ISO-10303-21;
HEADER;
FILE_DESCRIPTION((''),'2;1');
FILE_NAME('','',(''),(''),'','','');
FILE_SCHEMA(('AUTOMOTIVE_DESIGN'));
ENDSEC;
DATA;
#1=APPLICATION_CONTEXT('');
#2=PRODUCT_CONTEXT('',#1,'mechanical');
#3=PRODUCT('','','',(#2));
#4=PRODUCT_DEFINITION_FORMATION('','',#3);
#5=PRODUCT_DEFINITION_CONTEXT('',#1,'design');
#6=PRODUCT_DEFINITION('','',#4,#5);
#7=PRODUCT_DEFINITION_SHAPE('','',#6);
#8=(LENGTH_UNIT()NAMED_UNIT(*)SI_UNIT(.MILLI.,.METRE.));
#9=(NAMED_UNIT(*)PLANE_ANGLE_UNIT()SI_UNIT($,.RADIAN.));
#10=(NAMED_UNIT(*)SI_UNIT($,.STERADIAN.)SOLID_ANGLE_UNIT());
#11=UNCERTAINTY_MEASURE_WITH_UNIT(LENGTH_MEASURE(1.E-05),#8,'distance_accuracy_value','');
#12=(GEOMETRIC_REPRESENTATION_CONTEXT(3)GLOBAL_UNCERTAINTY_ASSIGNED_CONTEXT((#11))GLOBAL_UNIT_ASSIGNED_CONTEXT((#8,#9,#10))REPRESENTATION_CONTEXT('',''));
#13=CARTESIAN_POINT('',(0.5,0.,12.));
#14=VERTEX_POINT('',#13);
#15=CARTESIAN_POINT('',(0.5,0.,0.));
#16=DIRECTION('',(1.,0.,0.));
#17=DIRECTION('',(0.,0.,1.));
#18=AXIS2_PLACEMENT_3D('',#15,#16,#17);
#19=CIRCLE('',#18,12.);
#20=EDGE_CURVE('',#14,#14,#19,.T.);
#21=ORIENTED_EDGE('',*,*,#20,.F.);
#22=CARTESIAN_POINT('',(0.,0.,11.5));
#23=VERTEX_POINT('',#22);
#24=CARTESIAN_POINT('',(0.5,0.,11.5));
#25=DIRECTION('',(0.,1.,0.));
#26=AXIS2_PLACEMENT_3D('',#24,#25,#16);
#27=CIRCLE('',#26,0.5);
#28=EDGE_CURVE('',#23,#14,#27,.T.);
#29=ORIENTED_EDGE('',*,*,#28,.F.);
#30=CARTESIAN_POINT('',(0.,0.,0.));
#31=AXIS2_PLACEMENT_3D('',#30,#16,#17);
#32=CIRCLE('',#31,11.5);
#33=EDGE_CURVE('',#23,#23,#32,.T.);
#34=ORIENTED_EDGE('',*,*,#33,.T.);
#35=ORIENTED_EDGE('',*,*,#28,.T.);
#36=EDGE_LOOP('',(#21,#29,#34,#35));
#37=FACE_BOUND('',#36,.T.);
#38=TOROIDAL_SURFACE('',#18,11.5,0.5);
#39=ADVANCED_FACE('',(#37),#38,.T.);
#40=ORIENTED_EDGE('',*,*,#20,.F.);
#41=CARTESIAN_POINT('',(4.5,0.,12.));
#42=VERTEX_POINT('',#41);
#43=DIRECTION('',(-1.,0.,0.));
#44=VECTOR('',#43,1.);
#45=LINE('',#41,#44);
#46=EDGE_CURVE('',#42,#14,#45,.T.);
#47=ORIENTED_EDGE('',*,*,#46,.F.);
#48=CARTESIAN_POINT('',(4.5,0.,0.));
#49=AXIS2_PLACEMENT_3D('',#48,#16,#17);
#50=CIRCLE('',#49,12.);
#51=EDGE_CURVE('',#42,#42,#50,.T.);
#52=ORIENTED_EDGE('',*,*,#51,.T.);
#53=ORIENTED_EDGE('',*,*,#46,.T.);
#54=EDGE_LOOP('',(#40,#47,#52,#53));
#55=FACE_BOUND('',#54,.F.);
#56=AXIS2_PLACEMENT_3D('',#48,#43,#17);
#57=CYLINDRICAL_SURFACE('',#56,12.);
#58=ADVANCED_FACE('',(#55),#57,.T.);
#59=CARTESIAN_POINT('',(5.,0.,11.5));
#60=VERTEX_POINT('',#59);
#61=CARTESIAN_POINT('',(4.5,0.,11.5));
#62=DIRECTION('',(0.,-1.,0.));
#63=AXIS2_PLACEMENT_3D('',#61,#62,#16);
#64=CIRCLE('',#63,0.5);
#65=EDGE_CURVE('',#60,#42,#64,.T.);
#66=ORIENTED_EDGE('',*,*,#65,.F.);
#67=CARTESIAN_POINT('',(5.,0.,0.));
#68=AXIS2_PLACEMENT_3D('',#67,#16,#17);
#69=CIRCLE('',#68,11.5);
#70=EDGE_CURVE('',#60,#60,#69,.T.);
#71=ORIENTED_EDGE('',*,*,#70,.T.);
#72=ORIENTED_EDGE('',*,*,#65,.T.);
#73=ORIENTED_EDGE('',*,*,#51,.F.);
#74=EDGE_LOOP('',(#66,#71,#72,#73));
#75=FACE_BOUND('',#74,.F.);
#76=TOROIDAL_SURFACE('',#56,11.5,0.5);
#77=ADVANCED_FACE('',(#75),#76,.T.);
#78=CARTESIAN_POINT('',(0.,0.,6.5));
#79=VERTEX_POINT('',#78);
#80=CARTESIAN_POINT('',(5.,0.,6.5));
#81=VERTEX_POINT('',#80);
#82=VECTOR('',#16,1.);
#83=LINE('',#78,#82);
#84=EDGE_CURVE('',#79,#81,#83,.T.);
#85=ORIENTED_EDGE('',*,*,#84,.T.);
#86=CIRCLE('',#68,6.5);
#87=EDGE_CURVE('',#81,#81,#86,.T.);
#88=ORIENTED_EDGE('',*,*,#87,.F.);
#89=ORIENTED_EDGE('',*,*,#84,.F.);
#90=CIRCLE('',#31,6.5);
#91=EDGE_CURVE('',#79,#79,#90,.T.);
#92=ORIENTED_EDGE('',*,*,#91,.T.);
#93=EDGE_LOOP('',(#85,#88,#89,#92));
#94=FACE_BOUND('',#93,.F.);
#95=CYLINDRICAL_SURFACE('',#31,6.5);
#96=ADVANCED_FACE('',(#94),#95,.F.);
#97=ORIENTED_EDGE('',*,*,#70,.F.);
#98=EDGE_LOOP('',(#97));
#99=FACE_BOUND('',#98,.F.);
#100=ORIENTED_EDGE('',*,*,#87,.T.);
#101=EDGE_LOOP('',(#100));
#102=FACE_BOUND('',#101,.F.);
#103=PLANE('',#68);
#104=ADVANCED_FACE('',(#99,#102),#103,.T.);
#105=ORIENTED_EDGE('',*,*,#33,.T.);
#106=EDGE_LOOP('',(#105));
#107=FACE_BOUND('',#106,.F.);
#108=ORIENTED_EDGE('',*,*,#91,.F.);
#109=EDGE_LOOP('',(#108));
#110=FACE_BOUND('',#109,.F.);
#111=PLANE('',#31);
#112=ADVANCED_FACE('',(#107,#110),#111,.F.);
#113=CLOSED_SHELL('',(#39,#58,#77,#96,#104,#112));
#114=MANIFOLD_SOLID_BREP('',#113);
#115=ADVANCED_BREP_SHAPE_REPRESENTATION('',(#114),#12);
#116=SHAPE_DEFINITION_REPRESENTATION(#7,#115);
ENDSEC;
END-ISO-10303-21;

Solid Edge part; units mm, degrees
sketch "Sketch1" plane through (0, 0, 0) normal (0, -1, 0) x (1, 0, 0)
  line L0 (5, 6.5) -> (5, 11.5)
  arc A0 (5, 11.5) -> (4.5, 12) centre (4.5, 11.5) ccw
  line L1 (4.5, 12) -> (0.5, 12)
  arc A1 (0, 11.5) -> (0.5, 12) centre (0.5, 11.5) cw
  line L2 (0, 11.5) -> (0, 6.5)
  line L3 (0, 6.5) -> (5, 6.5)
  dimension "D1" = 5
  dimension "D2" = 0.5
revolve "RevolvedProtrusion1" add sketch "Sketch1" angle 360 about axis through (0, 0, 0) along (1, 0, 0)
properties part number "BEARING1" material "Bronze, 90%"
